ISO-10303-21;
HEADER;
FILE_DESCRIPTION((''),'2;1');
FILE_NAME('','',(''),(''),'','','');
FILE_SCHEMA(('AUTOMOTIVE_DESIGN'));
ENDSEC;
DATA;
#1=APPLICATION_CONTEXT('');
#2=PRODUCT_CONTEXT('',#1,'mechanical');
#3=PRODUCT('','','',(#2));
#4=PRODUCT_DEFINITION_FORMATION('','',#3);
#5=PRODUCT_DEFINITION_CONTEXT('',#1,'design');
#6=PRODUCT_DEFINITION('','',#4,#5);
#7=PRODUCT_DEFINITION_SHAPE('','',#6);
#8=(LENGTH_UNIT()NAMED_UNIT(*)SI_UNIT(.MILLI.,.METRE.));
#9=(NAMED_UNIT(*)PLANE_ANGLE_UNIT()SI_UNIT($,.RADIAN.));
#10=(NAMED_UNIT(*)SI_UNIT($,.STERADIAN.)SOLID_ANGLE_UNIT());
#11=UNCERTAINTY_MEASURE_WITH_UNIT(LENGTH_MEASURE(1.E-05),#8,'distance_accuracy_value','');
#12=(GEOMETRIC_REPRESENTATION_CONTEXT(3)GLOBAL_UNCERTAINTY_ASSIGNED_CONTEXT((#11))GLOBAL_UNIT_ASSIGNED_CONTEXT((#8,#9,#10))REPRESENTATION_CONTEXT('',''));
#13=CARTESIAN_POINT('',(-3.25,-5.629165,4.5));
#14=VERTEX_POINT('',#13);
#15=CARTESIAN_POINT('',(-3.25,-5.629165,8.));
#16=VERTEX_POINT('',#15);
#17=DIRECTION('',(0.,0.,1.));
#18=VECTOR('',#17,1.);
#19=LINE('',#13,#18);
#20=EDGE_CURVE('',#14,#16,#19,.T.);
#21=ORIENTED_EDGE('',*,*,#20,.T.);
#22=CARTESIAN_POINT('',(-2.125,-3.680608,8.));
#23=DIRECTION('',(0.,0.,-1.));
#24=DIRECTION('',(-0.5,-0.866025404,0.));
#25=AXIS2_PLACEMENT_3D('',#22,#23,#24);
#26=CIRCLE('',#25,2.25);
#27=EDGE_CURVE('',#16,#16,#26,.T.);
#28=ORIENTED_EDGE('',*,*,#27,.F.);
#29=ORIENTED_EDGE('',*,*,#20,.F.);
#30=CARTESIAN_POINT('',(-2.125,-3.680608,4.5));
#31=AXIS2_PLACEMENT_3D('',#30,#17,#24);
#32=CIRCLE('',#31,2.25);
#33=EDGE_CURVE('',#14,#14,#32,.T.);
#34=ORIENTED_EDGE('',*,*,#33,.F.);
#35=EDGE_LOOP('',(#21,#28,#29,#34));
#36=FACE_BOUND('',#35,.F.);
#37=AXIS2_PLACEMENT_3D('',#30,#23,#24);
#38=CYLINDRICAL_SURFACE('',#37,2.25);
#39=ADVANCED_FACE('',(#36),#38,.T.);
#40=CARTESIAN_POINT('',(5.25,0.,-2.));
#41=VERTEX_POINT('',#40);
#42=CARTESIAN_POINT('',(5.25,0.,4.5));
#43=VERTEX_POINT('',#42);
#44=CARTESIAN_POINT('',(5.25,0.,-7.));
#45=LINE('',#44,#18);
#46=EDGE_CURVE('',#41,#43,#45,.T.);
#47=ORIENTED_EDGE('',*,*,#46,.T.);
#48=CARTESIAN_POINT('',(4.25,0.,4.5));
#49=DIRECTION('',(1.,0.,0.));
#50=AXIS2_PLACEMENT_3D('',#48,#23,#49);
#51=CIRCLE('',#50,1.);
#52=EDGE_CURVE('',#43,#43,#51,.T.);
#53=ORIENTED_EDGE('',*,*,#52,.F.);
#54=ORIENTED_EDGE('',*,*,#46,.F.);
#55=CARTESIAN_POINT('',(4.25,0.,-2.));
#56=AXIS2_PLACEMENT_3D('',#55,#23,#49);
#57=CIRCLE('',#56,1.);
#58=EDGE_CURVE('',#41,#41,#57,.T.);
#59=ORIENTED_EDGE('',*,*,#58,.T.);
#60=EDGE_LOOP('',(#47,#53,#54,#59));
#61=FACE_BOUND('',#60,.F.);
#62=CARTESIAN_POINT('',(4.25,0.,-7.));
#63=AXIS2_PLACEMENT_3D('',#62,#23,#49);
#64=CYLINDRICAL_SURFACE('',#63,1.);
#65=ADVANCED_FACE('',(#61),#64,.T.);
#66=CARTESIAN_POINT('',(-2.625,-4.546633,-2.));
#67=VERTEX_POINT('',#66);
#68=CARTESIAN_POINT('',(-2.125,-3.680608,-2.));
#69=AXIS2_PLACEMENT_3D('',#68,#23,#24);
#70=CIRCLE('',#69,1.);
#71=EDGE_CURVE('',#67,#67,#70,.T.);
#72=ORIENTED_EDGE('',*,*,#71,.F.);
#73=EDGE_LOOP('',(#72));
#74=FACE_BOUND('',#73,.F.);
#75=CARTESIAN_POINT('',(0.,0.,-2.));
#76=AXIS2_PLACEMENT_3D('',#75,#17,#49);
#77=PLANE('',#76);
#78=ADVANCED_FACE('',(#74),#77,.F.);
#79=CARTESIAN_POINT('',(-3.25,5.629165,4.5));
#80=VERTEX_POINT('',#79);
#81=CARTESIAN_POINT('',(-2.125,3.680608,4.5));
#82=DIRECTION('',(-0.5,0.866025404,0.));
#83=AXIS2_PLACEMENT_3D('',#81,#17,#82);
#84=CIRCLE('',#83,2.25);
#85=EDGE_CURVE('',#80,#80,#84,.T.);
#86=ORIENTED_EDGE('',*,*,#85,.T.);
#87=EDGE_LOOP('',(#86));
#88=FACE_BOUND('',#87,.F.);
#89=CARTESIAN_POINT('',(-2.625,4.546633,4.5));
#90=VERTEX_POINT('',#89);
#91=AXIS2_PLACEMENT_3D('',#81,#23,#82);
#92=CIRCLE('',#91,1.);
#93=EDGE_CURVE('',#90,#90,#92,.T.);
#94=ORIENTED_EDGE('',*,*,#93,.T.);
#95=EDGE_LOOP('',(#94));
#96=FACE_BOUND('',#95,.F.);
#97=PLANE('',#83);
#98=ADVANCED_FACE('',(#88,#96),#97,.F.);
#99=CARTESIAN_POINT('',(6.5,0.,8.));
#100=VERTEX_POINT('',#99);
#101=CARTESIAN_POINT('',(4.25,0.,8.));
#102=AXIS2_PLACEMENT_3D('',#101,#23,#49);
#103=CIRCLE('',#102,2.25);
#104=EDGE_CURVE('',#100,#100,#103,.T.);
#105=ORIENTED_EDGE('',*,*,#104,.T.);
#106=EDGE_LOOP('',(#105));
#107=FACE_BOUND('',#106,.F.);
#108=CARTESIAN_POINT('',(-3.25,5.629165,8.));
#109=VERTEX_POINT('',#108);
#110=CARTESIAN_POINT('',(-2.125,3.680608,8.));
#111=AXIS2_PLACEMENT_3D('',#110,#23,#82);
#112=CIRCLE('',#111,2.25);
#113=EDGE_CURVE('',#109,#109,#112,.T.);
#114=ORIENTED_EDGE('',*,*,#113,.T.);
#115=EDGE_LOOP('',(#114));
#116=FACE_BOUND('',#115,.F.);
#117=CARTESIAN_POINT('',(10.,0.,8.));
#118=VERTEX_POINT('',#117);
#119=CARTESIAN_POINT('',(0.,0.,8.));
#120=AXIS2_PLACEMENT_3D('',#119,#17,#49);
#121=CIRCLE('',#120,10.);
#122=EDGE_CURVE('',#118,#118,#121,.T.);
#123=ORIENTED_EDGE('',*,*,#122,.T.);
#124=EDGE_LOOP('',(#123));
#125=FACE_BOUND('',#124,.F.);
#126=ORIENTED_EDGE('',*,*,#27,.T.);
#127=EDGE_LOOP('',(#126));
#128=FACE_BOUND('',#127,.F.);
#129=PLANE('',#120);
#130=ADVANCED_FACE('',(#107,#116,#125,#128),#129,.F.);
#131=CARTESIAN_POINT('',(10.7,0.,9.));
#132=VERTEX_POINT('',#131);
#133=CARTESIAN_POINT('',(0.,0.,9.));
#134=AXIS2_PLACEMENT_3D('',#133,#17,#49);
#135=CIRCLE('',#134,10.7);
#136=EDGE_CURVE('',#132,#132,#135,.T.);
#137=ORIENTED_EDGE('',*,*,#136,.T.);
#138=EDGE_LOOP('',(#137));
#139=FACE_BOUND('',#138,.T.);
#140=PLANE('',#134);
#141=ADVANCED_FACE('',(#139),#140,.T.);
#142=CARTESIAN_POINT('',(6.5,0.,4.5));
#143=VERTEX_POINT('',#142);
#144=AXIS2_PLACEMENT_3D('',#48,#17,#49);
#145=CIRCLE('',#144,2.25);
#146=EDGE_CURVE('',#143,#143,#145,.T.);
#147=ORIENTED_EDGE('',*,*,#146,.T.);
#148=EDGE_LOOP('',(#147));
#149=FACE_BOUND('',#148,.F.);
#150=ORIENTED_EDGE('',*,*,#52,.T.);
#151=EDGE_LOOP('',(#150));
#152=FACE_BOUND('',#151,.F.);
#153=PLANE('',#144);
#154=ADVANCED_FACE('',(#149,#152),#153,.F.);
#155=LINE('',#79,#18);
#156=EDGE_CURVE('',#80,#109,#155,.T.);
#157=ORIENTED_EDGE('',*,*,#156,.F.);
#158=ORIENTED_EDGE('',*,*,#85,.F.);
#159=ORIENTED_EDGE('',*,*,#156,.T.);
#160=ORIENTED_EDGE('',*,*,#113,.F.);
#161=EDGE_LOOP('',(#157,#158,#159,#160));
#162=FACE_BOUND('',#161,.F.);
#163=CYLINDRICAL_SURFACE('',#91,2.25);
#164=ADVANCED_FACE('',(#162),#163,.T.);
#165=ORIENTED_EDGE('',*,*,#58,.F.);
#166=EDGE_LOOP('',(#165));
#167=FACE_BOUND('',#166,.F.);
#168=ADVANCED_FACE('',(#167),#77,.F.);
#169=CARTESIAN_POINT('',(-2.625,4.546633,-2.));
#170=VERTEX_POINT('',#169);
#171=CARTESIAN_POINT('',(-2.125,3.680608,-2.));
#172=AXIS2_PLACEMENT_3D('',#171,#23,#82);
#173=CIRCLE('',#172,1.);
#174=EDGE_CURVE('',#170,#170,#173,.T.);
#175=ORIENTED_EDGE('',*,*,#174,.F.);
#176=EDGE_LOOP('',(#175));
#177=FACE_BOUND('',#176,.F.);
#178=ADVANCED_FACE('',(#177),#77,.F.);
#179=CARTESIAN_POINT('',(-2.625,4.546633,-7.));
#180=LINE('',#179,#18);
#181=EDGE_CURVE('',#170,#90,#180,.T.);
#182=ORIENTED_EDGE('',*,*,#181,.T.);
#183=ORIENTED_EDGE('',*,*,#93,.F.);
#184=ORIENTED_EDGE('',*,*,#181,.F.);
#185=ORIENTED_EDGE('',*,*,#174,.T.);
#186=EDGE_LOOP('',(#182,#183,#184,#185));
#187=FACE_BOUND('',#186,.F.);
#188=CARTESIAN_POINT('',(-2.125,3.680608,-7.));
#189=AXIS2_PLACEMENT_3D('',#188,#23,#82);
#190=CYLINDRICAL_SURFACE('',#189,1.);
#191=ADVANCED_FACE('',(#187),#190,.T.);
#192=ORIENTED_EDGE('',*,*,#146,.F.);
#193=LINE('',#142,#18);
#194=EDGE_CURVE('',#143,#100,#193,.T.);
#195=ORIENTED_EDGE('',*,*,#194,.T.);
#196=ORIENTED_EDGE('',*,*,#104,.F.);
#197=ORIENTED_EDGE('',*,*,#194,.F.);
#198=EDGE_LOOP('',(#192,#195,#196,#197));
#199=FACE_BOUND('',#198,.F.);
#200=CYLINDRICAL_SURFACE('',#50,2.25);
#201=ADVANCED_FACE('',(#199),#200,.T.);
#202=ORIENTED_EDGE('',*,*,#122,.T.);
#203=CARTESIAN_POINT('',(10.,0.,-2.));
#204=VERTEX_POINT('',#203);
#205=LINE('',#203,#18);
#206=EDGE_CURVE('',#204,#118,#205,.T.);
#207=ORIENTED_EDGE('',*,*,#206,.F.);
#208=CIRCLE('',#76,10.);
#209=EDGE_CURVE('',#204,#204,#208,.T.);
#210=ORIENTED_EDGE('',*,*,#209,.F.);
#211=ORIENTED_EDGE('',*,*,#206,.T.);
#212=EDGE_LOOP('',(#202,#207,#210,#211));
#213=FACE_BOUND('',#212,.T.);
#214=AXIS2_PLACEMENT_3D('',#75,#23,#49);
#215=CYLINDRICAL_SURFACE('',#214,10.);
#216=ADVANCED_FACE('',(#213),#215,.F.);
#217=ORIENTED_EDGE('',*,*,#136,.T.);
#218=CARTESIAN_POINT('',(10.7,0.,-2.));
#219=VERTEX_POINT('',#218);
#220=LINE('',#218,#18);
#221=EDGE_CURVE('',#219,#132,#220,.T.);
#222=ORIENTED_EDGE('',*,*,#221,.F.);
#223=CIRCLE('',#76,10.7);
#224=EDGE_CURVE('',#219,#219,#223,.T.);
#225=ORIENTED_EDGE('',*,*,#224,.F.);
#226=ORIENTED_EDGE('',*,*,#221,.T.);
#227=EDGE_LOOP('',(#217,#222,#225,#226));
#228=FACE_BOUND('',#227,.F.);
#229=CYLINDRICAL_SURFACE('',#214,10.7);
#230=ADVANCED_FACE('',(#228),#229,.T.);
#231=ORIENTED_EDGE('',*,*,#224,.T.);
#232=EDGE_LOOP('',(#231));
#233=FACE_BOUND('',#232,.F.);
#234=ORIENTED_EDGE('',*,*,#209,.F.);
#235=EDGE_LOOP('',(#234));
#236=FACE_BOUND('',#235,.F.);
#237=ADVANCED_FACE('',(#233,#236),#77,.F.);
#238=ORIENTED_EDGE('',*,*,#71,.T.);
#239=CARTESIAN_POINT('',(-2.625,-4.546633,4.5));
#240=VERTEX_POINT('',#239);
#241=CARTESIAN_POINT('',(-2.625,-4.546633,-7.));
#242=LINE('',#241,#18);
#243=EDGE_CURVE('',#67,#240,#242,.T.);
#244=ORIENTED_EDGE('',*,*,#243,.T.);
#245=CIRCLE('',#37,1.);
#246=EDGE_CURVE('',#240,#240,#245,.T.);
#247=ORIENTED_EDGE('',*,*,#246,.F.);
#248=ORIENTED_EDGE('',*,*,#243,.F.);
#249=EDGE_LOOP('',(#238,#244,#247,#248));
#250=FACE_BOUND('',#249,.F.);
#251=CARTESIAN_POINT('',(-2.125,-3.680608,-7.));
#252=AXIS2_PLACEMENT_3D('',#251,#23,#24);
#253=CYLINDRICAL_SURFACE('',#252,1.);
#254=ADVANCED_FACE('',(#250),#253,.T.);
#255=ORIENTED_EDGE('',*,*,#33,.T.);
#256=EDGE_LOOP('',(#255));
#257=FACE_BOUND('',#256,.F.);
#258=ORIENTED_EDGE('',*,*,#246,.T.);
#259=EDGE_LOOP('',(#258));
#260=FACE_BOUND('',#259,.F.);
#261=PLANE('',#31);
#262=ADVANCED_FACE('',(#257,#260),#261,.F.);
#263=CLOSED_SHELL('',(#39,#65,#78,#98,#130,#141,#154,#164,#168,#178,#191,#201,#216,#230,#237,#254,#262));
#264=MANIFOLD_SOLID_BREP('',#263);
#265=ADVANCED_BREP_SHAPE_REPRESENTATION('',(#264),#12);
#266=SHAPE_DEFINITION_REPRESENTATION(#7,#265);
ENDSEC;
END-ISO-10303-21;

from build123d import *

# Parameters (mm, degrees)
CYLINDER157_R     = 2.25
CYLINDER157_DEPTH = 7
CYLINDER156_R     = 1
CYLINDER156_DEPTH = 14
CYLINDER147_R     = 1
CYLINDER147_DEPTH = 1
ARRAY_COUNT       = 3
CYLINDER153_R     = 10
CYLINDER153_DEPTH = 10
CYLINDER_R        = 10.7
CYLINDER_DEPTH    = 11


with BuildPart() as sealsubtraction:
    # Cylinder157 → Cylinder157 (new body)
    with BuildSketch(Plane.XY.offset(4.5)):
        Circle(CYLINDER157_R)
    extrude(amount=CYLINDER157_DEPTH)


with BuildPart() as bottomwireoutlet:
    # Cylinder156 → Cylinder156 (new body)
    with BuildSketch(Plane.XY.offset(-7)):
        Circle(CYLINDER156_R)
    extrude(amount=CYLINDER156_DEPTH)


with BuildPart() as sealarray:
    # Cylinder147 → Cylinder147 (new body)
    with BuildSketch(Plane.XY.offset(4.5)):
        Circle(CYLINDER147_R)
    extrude(amount=CYLINDER147_DEPTH)

    # Fusion: union SealSubtraction, BottomWireOutlet
    add(sealsubtraction.part)
    add(bottomwireoutlet.part)


with BuildPart() as sealarray_1:
    # Fusion placement: moved
    add(sealarray.part.moved(Location((4.25, 0, 0))))

    # Array: SealArray ×3 about axis
    array_axis = Axis((0, 0, 0), (0, 0, 1))


with BuildPart() as sealarray_2:
    add(sealarray_1.part)
    for i in range(1, ARRAY_COUNT):
        add(sealarray_1.part.rotate(array_axis, i * 360 / ARRAY_COUNT))


with BuildPart() as cut:
    # Cylinder153 → Cylinder153 (new body)
    with BuildSketch(Plane.XY.offset(-2)):
        Circle(CYLINDER153_R)
    extrude(amount=CYLINDER153_DEPTH)

    # Cut: cut SealArray
    add(sealarray_2.part, mode=Mode.SUBTRACT)


with BuildPart() as cut027:
    # Cylinder → Cylinder (new body)
    with BuildSketch(Plane.XY.offset(-2)):
        Circle(CYLINDER_R)
    extrude(amount=CYLINDER_DEPTH)

    # Cut027: cut Cut
    add(cut.part, mode=Mode.SUBTRACT)


solid = cut027.part
